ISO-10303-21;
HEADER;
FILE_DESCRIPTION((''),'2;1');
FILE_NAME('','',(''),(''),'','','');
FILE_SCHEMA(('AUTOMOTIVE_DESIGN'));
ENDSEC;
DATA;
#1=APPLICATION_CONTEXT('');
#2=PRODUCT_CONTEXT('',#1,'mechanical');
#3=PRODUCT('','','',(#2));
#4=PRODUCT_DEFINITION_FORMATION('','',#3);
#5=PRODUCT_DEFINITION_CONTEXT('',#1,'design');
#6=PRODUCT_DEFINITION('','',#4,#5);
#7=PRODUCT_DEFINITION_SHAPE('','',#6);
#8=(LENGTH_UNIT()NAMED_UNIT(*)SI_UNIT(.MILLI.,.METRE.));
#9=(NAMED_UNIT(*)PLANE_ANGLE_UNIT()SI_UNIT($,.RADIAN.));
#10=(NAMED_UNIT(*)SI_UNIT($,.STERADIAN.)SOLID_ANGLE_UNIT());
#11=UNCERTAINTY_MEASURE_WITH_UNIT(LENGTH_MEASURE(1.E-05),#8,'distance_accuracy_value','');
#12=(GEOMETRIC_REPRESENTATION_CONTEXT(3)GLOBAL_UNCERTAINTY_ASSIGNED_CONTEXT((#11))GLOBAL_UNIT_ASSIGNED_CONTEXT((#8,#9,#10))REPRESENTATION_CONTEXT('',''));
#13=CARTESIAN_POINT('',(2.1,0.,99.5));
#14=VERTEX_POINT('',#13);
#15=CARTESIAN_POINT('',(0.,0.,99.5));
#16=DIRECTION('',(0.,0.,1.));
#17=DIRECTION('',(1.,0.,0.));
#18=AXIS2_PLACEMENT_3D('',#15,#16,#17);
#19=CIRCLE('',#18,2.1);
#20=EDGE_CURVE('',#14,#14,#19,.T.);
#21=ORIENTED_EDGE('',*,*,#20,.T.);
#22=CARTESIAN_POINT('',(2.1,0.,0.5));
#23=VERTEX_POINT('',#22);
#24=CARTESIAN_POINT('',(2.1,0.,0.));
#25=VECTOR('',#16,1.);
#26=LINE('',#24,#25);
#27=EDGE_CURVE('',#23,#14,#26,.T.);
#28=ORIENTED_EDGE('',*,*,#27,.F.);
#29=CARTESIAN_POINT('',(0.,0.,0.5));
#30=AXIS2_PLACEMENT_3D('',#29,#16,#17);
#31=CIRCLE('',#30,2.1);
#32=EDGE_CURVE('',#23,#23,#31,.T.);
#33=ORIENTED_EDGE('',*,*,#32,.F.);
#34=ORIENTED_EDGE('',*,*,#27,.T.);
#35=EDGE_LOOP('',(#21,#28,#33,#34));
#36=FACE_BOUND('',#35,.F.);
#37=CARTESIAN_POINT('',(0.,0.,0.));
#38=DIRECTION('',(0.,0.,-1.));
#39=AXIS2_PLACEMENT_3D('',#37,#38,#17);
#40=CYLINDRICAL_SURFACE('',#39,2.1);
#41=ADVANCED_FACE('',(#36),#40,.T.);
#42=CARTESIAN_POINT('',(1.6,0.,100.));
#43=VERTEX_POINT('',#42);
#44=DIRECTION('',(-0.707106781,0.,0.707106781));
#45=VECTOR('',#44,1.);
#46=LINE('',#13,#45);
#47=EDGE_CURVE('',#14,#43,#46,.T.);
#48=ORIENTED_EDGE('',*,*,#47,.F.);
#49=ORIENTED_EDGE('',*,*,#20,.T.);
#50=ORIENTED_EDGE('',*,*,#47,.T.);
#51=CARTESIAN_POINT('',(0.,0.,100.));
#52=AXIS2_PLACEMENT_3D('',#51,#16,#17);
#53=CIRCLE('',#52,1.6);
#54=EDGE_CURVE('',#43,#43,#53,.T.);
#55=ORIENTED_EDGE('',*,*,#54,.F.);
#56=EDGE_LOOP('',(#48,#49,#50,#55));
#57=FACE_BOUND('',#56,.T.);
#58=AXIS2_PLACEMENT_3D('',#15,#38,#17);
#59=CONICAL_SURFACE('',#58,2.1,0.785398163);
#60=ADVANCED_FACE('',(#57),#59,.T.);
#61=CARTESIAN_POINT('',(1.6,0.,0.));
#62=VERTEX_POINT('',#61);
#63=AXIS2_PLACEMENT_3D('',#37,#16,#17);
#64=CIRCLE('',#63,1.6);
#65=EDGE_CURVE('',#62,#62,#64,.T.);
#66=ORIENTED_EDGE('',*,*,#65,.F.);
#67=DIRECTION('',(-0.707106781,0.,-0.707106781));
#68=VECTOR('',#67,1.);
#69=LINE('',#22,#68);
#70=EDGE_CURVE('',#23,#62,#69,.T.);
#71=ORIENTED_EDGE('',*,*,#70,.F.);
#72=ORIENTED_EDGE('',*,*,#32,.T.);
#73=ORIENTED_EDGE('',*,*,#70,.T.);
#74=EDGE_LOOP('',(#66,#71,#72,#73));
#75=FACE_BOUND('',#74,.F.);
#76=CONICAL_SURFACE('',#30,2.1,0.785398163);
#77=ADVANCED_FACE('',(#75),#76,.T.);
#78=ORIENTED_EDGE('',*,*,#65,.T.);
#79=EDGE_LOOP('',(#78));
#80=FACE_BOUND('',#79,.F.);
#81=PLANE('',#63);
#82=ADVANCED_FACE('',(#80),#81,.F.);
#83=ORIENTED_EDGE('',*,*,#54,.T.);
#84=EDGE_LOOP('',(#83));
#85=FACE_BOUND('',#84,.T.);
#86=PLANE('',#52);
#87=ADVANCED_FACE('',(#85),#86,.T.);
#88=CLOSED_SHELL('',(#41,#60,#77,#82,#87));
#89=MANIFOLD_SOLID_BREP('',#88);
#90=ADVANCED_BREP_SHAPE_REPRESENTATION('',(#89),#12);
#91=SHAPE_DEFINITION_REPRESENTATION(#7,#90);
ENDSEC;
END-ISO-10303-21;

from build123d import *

# Parameters (mm, degrees)
SKETCH_R     = 2.1
PAD_DEPTH    = 100
CHAMFER_SIZE = 0.5


with BuildPart() as part:
    # Sketch → Pad (new body)
    with BuildSketch(Plane.XY):
        Circle(SKETCH_R)
    extrude(amount=PAD_DEPTH)

    # Chamfer
    chamfer_edges = [part.edges().sort_by_distance(p)[0] for p in [
        (-2.1, 0, 100),
        (-2.1, 0, 0),
    ]]
    chamfer(chamfer_edges, length=CHAMFER_SIZE)


solid = part.part
